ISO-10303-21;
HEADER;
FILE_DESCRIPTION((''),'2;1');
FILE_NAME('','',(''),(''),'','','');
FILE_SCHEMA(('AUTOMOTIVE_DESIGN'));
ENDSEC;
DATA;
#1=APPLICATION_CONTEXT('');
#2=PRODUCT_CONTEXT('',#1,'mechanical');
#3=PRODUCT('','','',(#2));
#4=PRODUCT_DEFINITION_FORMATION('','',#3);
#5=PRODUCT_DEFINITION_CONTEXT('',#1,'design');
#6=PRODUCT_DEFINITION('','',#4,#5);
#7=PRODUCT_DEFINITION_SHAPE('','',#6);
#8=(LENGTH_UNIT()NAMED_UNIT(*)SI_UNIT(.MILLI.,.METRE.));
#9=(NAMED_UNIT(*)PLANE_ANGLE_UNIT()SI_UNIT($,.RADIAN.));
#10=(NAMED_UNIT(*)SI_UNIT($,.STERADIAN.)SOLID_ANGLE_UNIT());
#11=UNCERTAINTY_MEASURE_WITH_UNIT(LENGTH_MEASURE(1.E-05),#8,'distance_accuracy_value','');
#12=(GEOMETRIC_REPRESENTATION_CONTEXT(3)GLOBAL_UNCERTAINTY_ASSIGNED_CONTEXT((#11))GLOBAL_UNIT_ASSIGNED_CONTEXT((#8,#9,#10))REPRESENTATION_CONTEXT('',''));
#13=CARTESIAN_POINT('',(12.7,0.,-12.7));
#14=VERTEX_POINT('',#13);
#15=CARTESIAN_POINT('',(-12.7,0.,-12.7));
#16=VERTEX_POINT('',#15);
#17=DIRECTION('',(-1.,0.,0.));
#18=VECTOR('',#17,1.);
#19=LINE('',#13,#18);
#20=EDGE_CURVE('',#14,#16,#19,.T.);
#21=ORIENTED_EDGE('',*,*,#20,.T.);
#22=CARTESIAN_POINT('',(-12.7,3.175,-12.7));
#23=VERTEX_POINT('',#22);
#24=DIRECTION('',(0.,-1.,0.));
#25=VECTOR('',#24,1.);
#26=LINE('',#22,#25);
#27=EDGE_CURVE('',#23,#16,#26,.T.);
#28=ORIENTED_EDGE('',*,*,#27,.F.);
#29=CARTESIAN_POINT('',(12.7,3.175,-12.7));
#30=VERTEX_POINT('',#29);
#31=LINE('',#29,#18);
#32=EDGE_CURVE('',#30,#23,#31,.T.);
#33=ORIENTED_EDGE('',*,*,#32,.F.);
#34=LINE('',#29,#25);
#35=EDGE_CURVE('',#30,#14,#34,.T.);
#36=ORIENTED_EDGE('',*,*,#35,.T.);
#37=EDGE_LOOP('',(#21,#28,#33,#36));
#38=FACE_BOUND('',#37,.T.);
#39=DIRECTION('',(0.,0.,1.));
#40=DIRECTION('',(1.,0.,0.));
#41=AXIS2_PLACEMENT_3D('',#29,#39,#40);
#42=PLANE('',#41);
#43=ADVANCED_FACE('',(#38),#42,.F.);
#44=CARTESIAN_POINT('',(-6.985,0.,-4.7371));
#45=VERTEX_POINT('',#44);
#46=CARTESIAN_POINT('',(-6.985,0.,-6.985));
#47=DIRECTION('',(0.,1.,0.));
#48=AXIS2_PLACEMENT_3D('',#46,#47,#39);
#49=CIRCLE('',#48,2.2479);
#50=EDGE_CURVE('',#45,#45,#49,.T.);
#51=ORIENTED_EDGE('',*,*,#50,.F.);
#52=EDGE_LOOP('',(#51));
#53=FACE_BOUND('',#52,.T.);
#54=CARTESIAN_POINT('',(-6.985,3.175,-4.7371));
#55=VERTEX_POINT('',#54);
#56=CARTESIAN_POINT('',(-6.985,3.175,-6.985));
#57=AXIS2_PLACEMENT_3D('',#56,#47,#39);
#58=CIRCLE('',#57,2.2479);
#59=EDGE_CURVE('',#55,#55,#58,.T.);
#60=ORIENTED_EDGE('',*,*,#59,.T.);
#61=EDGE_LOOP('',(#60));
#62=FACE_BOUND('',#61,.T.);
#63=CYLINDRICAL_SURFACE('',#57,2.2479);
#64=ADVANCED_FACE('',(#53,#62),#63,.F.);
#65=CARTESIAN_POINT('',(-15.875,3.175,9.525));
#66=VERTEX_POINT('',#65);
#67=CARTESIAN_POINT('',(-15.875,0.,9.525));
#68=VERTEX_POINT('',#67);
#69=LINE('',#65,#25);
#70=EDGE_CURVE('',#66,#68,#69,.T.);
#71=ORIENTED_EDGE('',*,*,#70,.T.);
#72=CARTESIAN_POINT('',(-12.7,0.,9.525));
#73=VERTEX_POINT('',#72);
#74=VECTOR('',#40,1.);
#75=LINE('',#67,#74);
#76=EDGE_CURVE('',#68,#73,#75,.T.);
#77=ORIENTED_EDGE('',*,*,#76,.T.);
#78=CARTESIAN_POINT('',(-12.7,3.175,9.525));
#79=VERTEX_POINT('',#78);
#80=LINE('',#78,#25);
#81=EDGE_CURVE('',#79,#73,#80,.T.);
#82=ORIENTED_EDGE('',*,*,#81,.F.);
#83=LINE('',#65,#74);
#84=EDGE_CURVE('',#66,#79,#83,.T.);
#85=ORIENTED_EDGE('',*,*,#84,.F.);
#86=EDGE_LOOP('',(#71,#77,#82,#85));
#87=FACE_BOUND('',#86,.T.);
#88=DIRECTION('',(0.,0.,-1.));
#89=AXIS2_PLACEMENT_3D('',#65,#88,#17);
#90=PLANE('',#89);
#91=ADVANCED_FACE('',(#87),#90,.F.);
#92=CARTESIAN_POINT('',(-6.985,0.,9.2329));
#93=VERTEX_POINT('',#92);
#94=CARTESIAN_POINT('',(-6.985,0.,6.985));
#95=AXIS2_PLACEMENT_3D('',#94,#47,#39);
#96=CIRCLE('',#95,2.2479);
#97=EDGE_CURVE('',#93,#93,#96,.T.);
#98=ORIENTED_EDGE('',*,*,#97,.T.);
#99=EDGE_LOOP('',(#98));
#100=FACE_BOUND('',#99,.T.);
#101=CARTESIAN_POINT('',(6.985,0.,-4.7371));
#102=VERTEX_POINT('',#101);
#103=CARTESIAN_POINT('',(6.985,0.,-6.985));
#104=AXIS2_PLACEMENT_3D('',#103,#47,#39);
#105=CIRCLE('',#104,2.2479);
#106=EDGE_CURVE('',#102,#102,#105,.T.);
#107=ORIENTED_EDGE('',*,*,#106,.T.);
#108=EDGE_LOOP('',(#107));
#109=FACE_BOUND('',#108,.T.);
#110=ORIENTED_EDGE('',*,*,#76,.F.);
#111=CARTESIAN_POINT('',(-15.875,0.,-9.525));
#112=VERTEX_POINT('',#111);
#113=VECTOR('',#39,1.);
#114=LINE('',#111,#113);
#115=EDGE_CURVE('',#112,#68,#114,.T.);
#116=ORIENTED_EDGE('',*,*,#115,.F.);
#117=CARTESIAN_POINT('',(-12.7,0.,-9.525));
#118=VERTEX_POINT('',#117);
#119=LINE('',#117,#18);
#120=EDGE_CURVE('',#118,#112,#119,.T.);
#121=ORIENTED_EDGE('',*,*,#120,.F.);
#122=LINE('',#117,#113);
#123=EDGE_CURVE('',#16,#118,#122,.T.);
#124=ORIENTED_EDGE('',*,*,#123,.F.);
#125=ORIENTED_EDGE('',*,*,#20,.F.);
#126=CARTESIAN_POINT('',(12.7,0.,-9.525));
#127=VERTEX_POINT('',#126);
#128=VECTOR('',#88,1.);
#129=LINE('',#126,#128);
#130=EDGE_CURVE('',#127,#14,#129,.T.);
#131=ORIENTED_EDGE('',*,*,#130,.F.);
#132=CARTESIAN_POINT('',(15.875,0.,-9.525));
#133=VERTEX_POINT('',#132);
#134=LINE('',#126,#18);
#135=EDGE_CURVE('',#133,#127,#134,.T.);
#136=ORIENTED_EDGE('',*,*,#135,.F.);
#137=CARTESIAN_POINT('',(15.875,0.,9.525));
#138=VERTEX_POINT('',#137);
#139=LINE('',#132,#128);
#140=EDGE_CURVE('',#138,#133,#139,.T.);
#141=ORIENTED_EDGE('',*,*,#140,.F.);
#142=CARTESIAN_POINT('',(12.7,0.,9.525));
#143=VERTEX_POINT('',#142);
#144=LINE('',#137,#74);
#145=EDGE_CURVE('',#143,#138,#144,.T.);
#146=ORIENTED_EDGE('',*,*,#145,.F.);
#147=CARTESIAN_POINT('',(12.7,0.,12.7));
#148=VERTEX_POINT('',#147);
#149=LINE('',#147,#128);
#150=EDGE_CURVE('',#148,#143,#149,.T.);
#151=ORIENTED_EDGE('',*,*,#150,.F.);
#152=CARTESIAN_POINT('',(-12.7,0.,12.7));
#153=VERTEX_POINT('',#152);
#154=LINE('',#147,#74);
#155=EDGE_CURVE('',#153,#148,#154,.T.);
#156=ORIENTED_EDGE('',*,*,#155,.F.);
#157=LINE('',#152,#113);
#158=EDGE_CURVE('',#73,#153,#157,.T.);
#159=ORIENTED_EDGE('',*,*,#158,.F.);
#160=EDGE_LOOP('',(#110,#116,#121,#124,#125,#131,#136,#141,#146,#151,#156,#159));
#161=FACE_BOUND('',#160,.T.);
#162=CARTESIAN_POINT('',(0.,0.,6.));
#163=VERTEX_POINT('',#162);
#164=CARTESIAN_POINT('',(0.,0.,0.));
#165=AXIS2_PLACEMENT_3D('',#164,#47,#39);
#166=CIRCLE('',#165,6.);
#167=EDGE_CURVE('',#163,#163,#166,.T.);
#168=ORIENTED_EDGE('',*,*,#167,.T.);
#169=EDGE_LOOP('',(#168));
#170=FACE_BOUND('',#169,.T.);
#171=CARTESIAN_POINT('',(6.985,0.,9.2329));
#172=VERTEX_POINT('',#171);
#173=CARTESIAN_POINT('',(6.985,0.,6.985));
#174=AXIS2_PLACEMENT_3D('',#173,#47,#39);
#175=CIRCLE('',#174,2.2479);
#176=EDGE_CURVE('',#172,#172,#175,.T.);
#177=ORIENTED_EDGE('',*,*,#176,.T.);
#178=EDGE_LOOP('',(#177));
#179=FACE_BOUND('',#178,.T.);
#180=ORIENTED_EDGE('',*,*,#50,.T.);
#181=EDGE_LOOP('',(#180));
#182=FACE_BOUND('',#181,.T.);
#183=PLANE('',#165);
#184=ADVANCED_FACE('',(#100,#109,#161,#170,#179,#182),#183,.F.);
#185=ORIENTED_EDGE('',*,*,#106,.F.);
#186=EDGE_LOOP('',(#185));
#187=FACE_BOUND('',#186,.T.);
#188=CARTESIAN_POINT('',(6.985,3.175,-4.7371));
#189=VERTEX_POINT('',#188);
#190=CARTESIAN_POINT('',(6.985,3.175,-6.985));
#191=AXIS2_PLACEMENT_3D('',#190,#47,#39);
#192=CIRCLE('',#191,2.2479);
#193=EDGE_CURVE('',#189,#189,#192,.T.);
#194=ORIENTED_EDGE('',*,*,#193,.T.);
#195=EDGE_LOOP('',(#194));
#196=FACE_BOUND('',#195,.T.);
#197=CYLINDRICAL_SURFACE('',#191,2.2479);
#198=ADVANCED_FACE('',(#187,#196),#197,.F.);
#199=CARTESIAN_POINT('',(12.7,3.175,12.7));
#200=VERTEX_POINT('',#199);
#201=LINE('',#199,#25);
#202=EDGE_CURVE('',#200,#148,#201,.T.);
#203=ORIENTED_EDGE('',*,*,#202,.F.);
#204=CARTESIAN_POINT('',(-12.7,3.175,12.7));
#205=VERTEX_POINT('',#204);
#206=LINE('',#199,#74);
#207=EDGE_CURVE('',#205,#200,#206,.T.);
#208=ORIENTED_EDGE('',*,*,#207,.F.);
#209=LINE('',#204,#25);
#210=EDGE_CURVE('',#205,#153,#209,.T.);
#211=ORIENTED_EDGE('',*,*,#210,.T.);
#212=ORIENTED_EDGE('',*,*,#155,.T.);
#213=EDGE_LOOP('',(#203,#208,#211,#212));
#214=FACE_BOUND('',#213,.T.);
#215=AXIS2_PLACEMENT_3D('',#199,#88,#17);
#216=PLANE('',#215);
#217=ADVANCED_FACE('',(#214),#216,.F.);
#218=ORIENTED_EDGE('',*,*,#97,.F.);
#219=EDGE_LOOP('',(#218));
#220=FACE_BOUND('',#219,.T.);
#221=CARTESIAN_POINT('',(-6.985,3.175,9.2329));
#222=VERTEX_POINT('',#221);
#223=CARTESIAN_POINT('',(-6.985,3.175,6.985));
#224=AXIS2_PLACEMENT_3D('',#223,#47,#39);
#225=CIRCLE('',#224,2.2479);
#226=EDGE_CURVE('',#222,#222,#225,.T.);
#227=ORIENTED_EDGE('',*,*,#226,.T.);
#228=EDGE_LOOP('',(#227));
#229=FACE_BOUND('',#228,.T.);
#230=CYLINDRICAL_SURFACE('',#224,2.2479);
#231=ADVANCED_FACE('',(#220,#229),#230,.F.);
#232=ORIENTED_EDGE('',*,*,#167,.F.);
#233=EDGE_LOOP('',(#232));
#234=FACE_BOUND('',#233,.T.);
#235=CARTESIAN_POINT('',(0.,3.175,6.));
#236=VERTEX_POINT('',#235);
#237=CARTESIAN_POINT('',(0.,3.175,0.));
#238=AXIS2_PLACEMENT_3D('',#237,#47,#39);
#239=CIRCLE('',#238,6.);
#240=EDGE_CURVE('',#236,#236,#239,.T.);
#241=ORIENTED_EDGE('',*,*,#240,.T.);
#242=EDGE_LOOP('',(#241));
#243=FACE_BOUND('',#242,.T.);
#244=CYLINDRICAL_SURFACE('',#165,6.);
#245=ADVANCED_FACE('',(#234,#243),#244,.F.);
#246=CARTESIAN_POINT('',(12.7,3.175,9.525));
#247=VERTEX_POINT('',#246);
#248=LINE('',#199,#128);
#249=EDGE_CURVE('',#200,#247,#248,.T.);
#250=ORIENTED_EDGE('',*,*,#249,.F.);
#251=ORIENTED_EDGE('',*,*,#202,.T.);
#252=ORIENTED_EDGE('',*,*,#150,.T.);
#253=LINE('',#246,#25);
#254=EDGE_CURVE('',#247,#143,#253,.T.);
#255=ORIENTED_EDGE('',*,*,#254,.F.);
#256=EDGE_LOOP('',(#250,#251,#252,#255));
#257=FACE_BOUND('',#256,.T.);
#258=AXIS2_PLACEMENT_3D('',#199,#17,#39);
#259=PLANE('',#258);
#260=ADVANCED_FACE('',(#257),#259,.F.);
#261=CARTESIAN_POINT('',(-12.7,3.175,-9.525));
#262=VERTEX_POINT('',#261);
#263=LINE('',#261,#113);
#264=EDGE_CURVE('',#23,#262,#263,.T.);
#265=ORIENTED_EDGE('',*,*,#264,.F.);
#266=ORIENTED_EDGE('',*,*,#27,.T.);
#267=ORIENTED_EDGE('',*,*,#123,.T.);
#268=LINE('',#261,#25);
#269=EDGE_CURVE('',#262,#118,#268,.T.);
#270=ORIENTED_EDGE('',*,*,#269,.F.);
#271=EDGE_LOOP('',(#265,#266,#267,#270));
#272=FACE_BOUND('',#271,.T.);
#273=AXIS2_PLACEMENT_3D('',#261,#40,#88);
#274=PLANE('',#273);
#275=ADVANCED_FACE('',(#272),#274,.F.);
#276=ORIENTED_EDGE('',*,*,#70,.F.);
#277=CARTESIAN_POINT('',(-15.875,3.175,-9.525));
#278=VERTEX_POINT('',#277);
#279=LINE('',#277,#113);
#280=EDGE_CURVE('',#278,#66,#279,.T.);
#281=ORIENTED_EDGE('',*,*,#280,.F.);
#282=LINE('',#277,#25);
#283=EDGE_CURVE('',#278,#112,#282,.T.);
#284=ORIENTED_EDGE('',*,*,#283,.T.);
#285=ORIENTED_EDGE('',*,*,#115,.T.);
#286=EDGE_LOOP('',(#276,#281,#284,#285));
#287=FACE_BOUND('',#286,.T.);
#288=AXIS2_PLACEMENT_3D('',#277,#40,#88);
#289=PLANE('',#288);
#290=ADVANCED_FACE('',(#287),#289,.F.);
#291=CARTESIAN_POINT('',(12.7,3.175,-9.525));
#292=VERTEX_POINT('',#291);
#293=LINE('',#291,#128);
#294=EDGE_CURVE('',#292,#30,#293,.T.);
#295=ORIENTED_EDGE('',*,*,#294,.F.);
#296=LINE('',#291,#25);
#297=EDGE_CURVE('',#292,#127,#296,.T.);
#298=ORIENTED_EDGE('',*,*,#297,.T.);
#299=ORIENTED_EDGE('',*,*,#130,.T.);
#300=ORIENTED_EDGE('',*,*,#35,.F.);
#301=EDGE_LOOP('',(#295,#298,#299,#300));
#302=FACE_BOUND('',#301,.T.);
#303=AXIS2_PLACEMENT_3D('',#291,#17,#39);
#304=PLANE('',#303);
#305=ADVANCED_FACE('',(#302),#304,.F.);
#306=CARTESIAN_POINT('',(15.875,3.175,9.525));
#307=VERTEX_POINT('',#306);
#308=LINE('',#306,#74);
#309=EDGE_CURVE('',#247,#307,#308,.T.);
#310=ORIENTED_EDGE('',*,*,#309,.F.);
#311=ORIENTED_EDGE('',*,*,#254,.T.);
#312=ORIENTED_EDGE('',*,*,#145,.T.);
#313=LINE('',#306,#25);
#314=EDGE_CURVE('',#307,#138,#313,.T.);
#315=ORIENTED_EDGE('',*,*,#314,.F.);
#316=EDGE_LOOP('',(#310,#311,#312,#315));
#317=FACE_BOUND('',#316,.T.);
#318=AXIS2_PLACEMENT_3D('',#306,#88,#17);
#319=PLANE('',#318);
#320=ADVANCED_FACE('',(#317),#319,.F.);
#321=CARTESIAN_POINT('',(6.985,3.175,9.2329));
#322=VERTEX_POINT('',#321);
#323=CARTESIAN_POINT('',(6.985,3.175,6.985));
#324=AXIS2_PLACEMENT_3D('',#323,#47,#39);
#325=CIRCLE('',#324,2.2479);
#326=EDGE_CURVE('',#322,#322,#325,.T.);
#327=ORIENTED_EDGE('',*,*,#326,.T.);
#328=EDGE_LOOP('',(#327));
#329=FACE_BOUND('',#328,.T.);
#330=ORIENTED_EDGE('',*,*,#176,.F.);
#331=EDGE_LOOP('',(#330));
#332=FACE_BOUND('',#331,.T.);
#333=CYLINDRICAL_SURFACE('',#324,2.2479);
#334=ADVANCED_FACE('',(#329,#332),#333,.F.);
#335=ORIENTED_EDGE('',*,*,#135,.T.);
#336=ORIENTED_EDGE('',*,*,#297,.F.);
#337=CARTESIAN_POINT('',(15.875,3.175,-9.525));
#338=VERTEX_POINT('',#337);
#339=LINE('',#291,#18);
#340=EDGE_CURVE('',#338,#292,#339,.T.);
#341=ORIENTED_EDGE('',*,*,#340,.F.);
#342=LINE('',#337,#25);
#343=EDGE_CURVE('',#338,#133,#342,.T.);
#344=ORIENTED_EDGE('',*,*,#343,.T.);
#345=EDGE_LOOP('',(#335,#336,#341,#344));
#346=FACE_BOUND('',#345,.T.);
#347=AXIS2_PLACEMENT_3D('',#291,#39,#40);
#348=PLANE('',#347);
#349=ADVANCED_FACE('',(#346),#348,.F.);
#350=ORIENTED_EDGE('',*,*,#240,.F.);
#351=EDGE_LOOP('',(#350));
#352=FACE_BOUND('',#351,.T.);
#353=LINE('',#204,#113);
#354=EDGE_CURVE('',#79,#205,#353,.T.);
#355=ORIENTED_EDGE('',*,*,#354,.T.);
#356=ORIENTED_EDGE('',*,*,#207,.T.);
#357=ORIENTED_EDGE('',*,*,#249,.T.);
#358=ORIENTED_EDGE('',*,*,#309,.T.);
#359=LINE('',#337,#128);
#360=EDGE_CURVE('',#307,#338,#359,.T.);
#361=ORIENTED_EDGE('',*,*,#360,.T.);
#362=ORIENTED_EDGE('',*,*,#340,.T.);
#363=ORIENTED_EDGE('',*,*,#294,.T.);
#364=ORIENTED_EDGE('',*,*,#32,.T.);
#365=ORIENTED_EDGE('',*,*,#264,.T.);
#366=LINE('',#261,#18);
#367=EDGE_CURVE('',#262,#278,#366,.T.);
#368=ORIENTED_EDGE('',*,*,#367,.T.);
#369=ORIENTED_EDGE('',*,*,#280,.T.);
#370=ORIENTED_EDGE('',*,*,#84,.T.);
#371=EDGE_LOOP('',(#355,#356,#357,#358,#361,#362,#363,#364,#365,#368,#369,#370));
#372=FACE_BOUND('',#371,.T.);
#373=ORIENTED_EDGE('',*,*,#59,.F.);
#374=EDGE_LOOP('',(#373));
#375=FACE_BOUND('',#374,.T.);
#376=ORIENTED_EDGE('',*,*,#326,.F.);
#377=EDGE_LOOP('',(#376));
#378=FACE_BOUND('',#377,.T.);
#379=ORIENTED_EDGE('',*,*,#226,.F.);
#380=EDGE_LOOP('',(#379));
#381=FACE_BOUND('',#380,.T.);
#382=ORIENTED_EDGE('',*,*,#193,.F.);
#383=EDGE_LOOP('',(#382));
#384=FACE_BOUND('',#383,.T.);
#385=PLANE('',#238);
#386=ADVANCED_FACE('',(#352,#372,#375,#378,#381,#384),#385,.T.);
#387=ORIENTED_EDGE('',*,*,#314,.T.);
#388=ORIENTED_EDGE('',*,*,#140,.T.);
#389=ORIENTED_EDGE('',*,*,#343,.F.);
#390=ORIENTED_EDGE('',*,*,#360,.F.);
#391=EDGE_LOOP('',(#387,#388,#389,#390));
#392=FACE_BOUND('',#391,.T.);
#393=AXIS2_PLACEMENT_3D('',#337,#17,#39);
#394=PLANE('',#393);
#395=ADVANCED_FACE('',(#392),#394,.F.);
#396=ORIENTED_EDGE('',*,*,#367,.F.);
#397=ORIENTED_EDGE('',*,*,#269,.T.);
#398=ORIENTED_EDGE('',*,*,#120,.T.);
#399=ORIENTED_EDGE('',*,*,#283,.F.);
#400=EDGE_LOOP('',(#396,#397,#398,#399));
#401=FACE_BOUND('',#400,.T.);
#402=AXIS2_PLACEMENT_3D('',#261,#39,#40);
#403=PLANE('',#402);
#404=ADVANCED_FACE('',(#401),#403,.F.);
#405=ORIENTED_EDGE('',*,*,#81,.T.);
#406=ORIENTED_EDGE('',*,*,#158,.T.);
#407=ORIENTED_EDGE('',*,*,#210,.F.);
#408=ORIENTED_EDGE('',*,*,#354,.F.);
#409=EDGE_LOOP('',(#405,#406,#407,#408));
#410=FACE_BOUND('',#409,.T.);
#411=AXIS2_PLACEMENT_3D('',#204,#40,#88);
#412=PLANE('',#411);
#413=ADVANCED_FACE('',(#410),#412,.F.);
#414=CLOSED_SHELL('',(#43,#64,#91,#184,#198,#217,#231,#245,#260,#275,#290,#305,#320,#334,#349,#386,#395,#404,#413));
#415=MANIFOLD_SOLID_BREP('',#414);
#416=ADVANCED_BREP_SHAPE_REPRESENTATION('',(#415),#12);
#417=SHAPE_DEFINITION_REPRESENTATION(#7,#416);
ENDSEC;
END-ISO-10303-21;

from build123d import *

# Parameters (mm, degrees)
BOSS_EXTRUDE1_DEPTH   = 3.175
SKETCH2_R             = 6
CUT_EXTRUDE1_DEPTH    = 4.175
F_8_CLEARANCE_HOLE1_D = 4.4958


with BuildPart() as part:
    # Sketch1 → Boss-Extrude1 (new body)
    with BuildSketch(Plane(origin=(0, 0, 0), x_dir=(1, 0, 0), z_dir=(0, 1, 0))):
        Polygon((-12.7, 9.525), (-15.875, 9.525), (-15.875, -9.525), (-12.7, -9.525), (-12.7, -12.7), (12.7, -12.7), (12.7, -9.525), (15.875, -9.525), (15.875, 9.525), (12.7, 9.525), (12.7, 12.7), (-12.7, 12.7), align=None)
    extrude(amount=BOSS_EXTRUDE1_DEPTH)

    # Sketch2 → Cut-Extrude1 (cut, through all)
    with BuildSketch(Plane(origin=(0, 3.175, 0), x_dir=(1, 0, 0), z_dir=(0, 1, 0))):
        Circle(SKETCH2_R)
    extrude(amount=-CUT_EXTRUDE1_DEPTH, mode=Mode.SUBTRACT)

    # #8 Clearance Hole1 (through all)
    with Locations(Plane(origin=(0, 3.175, 0), x_dir=(1, 0, 0), z_dir=(0, 1, 0))):
        with Locations((-6.985, 6.985), (6.985, 6.985), (6.985, -6.985), (-6.985, -6.985)):
            Hole(F_8_CLEARANCE_HOLE1_D / 2)


solid = part.part
